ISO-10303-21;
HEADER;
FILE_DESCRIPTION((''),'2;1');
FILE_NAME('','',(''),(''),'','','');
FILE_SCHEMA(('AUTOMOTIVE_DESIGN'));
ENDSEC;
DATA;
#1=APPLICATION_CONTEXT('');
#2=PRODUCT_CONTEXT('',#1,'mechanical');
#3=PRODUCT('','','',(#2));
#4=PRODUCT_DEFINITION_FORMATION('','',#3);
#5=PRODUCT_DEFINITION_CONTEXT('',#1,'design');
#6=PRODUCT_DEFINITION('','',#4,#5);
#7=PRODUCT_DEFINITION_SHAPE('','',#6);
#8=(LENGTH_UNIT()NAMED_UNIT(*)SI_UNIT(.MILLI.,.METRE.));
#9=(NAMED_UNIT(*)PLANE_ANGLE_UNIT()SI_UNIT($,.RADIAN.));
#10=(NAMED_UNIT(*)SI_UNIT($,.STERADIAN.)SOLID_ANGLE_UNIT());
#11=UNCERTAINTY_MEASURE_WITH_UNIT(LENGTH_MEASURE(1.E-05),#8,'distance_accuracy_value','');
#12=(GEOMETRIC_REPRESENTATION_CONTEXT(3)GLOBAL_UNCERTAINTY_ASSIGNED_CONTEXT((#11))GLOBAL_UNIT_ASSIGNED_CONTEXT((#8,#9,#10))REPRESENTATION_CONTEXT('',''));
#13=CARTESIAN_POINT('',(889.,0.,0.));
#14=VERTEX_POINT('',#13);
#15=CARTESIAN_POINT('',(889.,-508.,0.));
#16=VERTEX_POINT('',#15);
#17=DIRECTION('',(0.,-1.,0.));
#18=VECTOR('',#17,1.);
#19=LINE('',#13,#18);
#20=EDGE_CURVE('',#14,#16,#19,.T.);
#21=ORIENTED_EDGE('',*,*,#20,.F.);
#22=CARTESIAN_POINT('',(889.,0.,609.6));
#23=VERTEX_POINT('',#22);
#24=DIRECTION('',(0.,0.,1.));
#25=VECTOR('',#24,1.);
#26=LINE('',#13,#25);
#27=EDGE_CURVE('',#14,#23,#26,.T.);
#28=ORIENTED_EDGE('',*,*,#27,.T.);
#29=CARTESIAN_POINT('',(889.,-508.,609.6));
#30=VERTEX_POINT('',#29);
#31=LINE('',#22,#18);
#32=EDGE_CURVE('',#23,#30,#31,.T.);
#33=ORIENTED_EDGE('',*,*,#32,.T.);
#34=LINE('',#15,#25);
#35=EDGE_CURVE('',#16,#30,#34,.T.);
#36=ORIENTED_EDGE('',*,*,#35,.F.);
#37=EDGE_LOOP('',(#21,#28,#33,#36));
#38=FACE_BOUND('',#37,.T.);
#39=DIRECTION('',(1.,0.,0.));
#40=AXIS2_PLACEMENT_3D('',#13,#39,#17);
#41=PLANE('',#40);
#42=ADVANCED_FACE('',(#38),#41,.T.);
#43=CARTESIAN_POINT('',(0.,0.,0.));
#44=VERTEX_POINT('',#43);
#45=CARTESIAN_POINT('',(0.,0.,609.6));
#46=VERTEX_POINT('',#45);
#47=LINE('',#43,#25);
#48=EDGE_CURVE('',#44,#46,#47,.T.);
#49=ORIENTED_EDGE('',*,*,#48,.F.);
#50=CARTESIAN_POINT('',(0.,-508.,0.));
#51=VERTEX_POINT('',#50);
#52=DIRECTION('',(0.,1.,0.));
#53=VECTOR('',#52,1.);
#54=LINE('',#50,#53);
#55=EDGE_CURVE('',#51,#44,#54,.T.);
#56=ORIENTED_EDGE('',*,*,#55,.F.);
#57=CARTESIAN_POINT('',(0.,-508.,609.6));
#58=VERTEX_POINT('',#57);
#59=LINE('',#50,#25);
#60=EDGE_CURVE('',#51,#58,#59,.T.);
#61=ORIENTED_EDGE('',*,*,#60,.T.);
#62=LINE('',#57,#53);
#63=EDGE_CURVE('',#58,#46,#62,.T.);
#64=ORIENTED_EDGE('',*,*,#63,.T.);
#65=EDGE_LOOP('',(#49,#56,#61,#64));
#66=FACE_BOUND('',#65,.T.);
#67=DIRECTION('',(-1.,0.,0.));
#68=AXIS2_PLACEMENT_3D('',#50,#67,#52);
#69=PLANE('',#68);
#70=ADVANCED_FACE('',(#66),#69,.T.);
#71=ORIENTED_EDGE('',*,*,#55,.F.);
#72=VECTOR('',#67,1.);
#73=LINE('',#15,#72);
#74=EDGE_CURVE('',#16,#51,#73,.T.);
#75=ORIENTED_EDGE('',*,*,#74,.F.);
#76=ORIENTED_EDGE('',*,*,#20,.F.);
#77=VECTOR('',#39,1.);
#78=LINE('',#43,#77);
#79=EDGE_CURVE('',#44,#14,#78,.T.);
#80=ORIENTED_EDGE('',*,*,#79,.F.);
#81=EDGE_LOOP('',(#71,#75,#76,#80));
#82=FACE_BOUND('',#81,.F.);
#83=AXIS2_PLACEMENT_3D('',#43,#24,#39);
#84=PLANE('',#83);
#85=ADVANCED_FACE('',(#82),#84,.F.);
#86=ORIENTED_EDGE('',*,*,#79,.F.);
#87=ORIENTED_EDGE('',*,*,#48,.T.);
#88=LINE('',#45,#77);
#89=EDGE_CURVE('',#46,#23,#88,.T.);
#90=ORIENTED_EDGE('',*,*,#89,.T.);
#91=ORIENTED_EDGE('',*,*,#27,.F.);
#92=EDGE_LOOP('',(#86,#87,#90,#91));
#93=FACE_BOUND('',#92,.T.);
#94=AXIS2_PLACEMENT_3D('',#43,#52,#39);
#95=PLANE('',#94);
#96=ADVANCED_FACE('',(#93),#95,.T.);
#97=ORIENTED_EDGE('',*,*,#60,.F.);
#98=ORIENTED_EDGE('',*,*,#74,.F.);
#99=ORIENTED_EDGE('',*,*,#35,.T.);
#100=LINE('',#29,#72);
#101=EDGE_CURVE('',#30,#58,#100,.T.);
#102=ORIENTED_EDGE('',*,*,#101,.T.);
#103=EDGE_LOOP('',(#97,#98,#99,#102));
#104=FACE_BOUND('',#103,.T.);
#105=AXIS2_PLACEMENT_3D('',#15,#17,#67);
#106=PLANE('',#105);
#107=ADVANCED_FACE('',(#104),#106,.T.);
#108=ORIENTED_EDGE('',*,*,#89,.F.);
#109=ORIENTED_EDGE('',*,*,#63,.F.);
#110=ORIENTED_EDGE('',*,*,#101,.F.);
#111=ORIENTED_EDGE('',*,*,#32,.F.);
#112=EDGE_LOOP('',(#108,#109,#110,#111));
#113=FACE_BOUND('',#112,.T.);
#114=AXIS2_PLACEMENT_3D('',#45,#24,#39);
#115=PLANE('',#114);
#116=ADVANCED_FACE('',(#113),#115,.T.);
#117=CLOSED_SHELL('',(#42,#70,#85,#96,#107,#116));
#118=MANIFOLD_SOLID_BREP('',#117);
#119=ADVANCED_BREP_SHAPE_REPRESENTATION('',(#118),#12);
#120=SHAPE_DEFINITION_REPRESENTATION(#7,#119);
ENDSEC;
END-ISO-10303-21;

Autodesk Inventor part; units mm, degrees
ref_plane "YZ Plane" through (0, 0, 0) normal (1, 0, 0) x (0, 1, 0)
ref_plane "XZ Plane" through (0, 0, 0) normal (0, 1, 0) x (-1, 0, 0)
ref_plane "XY Plane" through (0, 0, 0) normal (0, 0, 1) x (1, 0, 0)
sketch "Sketch1" plane through (0, 0, 0) normal (0, 0, 1) x (1, 0, 0)
  line L0 (0, 0) -> (889, 0)
  line L1 (889, 0) -> (889, -508)
  line L2 (889, -508) -> (0, -508)
  line L3 (0, -508) -> (0, 0)
  dimension "d0" = 508
  dimension "d1" = 889
extrude "Extrusion1" add sketch "Sketch1" along normal blind 609.6
properties part number "PTC"
